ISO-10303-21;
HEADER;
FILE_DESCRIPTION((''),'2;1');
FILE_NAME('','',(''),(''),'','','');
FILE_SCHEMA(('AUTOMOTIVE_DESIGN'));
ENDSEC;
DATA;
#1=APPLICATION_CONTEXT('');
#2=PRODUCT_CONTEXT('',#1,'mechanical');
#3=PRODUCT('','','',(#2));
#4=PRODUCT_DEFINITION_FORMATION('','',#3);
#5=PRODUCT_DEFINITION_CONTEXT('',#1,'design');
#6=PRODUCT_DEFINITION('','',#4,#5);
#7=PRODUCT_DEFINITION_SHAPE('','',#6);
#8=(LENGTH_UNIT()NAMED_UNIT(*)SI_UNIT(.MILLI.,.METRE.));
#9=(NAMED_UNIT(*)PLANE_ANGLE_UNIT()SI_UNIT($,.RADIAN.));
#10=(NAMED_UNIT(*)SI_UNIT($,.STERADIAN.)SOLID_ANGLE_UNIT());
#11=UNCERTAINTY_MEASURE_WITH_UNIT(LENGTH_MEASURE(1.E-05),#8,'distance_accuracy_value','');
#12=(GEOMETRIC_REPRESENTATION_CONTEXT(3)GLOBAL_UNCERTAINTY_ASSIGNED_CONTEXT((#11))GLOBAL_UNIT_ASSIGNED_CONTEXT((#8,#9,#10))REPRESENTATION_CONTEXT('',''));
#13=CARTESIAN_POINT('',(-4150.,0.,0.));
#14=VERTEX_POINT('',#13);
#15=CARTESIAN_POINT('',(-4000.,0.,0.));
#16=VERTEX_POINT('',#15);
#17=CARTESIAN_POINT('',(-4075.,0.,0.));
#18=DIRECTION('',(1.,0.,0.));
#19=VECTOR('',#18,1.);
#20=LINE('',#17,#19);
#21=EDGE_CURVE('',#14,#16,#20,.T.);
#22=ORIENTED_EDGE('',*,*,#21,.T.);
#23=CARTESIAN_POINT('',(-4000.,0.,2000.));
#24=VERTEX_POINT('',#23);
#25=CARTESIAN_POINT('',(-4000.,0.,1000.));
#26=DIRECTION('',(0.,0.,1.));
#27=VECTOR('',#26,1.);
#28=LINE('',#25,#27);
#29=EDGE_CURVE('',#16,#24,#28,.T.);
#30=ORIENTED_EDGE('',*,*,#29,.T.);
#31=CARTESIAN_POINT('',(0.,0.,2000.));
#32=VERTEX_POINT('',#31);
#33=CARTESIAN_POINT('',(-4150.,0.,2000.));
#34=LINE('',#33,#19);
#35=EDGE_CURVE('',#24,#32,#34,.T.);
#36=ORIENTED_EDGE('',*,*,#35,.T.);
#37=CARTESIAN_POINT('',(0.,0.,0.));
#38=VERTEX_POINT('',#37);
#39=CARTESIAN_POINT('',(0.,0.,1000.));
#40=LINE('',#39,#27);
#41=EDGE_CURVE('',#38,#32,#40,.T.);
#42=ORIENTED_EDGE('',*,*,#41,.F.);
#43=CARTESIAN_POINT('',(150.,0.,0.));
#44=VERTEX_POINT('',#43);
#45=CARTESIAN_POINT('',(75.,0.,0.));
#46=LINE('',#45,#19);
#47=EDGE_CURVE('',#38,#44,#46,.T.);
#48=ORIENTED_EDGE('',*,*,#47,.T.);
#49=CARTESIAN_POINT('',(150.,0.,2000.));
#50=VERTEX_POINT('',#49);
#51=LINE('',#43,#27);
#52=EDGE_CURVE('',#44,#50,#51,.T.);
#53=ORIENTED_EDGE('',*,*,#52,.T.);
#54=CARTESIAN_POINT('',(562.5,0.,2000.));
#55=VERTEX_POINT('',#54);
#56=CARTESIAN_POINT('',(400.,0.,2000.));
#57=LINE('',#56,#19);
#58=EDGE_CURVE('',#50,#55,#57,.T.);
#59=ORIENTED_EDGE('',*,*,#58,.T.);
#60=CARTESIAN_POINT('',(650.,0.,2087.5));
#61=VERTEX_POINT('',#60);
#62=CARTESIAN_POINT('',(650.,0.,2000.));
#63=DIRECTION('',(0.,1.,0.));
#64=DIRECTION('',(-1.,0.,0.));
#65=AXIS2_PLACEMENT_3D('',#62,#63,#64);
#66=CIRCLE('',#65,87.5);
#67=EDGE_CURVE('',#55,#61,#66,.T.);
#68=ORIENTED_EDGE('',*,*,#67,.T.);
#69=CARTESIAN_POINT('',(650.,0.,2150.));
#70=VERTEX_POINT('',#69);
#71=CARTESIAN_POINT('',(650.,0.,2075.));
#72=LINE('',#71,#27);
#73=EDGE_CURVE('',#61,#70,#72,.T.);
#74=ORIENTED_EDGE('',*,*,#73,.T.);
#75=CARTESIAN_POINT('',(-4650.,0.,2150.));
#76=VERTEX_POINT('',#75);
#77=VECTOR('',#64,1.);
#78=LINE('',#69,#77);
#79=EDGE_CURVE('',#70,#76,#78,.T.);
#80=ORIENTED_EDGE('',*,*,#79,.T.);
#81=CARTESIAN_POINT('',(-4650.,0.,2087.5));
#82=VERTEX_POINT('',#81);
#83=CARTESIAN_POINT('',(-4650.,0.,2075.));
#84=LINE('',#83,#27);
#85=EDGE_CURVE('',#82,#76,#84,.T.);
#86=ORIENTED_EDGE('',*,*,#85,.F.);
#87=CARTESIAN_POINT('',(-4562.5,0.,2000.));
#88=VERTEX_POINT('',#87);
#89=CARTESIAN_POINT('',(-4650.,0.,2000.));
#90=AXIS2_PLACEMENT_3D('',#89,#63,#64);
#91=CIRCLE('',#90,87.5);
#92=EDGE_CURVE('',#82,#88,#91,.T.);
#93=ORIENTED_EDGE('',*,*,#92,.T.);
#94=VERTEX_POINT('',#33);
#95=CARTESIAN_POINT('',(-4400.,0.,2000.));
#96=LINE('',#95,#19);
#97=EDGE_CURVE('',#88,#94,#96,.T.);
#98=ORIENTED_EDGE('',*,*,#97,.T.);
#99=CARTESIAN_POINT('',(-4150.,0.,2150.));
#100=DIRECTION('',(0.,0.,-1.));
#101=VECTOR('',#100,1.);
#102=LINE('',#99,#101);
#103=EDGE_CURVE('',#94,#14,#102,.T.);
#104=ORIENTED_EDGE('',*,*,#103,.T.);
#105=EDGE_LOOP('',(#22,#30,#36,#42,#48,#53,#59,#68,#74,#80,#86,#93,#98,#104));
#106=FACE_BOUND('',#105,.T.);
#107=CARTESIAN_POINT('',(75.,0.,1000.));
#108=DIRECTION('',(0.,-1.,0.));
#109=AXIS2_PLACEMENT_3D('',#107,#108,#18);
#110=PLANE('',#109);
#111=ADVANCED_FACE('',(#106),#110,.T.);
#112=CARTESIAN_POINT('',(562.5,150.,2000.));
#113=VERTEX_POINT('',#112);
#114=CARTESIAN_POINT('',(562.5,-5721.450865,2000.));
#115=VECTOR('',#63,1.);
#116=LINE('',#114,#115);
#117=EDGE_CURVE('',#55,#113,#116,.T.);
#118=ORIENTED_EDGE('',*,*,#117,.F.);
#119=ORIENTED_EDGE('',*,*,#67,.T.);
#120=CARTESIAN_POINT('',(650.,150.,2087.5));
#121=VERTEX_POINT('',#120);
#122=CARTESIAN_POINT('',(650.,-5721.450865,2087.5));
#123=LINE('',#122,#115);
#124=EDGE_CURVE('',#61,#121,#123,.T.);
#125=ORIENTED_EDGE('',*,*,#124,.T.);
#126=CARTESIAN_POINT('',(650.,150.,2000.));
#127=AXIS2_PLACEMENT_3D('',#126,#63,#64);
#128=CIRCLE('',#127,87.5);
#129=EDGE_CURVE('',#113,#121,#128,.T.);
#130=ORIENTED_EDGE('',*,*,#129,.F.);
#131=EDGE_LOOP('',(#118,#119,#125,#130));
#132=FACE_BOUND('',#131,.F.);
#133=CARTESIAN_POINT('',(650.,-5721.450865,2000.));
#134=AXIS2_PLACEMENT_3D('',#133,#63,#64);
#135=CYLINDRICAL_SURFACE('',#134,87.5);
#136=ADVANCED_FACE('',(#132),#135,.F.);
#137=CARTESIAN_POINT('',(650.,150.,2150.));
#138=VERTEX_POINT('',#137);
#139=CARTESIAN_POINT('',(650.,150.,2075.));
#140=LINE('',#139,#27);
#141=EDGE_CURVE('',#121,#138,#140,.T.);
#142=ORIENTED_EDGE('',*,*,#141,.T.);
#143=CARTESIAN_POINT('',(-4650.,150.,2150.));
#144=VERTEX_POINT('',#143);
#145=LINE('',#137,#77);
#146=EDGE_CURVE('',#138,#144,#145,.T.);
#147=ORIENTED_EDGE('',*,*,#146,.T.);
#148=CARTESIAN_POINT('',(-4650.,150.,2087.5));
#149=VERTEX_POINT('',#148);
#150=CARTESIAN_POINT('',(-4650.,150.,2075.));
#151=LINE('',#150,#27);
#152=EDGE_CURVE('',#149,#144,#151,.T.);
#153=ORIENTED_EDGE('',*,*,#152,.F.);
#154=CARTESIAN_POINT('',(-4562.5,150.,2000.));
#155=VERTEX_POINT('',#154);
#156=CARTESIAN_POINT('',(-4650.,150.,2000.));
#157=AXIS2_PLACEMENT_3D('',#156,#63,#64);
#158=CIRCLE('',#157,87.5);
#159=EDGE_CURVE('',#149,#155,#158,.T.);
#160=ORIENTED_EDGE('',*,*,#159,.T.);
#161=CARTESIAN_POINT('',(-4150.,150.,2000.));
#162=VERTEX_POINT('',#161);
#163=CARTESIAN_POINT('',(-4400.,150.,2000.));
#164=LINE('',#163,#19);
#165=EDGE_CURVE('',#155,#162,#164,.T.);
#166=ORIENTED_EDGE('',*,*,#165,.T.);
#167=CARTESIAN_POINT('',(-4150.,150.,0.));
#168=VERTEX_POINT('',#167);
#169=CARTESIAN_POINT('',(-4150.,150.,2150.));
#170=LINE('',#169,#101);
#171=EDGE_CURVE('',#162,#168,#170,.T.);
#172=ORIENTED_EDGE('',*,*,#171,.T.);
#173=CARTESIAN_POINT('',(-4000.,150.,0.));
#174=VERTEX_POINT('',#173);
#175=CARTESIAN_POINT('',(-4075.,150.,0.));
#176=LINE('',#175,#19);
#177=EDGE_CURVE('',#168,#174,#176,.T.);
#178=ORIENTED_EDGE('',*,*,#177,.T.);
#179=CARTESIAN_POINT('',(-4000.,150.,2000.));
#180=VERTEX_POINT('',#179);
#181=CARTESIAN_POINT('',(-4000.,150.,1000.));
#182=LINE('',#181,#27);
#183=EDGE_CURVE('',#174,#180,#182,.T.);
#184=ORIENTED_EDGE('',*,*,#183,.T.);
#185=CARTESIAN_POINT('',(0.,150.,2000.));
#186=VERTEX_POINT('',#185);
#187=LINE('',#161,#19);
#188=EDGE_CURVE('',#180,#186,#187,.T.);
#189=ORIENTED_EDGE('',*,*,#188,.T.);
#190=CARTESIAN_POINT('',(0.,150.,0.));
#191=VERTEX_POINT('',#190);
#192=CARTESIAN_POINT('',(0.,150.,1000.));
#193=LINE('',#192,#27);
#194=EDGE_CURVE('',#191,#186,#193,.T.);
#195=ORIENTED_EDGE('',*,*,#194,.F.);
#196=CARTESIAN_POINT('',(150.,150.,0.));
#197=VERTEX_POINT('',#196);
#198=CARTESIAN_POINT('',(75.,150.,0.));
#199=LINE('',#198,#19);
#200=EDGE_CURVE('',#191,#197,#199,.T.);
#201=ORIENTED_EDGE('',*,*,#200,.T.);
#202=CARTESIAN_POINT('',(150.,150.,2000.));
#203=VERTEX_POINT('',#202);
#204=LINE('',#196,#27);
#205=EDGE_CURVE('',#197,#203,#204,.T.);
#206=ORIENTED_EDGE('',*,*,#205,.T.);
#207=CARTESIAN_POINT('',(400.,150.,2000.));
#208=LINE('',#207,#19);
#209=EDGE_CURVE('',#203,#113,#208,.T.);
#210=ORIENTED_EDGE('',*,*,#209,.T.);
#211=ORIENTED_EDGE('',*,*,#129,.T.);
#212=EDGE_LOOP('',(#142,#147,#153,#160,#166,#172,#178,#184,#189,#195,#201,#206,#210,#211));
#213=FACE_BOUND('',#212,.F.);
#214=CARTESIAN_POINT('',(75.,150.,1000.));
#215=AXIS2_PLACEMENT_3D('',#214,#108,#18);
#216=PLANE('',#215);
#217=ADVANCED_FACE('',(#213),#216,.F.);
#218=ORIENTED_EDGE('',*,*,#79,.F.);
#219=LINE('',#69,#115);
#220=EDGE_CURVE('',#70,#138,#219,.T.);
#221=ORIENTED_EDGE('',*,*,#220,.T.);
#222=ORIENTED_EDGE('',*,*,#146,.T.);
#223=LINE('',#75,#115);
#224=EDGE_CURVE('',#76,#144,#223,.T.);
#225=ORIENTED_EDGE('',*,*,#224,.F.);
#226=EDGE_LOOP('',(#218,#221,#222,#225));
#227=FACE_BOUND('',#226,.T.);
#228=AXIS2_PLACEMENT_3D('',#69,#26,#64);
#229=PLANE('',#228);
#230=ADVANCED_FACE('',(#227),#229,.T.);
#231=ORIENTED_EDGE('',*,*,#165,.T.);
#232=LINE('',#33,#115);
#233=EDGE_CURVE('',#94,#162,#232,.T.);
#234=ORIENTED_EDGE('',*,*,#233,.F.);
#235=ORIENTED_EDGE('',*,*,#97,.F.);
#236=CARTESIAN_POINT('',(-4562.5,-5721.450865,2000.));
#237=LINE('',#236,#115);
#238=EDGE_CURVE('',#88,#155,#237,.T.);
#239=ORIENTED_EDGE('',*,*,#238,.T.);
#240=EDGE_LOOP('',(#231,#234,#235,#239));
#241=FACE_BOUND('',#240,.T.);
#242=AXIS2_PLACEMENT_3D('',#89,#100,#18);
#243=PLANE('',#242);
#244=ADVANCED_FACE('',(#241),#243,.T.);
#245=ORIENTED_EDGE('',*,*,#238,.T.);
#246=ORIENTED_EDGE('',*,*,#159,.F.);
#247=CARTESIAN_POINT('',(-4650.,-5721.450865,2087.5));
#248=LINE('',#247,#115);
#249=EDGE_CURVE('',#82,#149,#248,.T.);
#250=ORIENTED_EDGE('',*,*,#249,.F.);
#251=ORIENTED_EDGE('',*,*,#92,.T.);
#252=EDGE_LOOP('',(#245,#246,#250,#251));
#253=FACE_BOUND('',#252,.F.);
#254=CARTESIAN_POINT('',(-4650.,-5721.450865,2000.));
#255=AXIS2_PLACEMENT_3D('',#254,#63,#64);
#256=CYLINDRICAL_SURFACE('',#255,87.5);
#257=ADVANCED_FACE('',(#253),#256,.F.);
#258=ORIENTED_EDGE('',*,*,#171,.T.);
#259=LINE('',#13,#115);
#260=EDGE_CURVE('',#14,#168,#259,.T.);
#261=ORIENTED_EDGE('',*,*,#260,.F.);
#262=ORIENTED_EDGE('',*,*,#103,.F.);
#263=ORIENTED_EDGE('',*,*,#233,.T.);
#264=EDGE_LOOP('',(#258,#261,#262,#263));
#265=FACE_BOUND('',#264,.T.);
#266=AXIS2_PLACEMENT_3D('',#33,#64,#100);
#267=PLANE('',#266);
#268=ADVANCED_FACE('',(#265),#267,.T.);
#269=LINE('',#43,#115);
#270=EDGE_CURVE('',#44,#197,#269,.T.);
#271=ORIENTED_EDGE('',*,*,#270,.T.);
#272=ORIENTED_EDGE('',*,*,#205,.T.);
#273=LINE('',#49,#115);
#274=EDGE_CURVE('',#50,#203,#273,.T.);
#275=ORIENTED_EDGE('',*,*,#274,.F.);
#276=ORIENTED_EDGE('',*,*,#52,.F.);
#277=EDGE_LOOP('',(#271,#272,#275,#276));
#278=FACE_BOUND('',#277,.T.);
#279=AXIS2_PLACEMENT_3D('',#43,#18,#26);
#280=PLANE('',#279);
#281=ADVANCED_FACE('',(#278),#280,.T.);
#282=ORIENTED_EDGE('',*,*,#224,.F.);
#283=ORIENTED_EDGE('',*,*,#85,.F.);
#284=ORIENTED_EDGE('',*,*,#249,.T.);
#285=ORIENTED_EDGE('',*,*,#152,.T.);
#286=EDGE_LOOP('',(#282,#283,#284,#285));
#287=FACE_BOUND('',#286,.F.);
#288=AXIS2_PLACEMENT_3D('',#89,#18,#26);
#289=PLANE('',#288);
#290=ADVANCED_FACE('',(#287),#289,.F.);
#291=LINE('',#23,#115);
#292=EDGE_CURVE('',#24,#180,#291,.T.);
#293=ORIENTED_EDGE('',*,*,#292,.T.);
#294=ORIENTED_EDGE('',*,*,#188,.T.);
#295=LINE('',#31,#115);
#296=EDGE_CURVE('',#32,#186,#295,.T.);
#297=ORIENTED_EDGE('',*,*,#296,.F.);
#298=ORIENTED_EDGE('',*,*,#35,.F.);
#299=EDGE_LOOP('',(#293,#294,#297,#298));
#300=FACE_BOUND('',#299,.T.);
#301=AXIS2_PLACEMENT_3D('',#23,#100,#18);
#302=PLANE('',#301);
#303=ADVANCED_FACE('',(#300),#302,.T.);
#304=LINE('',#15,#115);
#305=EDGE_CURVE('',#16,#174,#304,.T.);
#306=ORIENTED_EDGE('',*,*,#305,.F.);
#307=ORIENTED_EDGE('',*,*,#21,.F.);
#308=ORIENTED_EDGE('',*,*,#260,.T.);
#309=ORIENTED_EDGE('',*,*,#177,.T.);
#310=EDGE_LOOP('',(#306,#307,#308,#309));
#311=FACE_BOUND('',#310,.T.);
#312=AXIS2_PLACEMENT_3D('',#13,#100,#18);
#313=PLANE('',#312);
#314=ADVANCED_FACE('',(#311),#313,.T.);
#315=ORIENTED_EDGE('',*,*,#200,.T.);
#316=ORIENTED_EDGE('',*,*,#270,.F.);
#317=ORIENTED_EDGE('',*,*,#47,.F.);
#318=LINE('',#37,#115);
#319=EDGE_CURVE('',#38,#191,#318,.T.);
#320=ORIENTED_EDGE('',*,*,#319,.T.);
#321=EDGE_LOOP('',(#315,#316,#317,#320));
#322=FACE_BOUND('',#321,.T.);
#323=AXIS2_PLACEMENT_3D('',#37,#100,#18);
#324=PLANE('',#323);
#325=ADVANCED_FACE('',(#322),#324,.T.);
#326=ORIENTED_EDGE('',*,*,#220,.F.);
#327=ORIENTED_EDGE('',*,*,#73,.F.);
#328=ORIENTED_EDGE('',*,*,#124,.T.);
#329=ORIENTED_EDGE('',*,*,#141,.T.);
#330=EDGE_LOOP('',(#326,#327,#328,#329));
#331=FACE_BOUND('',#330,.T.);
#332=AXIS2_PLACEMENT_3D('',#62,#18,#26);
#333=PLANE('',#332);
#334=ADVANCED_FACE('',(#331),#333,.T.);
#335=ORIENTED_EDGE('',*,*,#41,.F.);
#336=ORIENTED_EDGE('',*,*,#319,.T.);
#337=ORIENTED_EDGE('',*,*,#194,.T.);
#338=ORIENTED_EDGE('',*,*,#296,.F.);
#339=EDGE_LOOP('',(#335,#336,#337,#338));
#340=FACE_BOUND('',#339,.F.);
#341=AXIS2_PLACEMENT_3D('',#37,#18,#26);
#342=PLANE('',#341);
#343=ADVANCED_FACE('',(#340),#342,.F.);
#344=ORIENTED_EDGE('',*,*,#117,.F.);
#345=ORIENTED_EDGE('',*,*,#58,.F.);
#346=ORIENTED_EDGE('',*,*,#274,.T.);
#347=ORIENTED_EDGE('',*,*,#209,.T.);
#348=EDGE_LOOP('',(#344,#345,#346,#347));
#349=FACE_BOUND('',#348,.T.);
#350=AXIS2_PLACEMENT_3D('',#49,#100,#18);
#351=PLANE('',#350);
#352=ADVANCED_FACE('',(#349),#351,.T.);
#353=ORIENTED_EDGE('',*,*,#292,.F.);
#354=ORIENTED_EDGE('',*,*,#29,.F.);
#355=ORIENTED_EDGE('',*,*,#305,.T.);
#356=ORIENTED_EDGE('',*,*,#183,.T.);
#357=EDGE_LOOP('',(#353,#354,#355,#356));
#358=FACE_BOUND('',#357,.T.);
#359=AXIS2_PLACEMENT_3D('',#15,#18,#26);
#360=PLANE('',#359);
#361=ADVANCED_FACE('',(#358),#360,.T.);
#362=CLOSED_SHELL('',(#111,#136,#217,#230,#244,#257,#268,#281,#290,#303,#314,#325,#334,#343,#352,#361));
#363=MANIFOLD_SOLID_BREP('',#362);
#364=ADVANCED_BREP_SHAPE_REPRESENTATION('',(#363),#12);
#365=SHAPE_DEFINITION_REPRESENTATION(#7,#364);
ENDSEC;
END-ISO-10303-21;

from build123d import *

# Parameters (mm, degrees)
F0_W     = 150
F0_H     = 2000
F0_W_2   = 500
F0_H_2   = 150
F1_DEPTH = 150
F2_D     = 175
F3_D     = 175


with BuildPart() as f1:
    # F0 (on Front) → F1 (new body)
    with BuildSketch(Plane.XZ):
        with Locations((75, 1000)):
            Rectangle(F0_W, F0_H)
        Polygon((-4000, 2000), (0, 2000), (150, 2000), (150, 2150), (-4150, 2150), (-4150, 2000), align=None)
        with Locations((400, 2075)):
            Rectangle(F0_W_2, F0_H_2)
        with Locations((-4075, 1000)):
            Rectangle(F0_W, F0_H)
        with Locations((-4400, 2075)):
            Rectangle(F0_W_2, F0_H_2)
    extrude(amount=-F1_DEPTH)

    # F2 (through all)
    with Locations(Plane.XZ):
        with Locations((-4650, 2000)):
            Hole(F2_D / 2)

    # F3 (through all)
    with Locations(Plane.XZ):
        with Locations((650, 2000)):
            Hole(F3_D / 2)


solid = f1.part
